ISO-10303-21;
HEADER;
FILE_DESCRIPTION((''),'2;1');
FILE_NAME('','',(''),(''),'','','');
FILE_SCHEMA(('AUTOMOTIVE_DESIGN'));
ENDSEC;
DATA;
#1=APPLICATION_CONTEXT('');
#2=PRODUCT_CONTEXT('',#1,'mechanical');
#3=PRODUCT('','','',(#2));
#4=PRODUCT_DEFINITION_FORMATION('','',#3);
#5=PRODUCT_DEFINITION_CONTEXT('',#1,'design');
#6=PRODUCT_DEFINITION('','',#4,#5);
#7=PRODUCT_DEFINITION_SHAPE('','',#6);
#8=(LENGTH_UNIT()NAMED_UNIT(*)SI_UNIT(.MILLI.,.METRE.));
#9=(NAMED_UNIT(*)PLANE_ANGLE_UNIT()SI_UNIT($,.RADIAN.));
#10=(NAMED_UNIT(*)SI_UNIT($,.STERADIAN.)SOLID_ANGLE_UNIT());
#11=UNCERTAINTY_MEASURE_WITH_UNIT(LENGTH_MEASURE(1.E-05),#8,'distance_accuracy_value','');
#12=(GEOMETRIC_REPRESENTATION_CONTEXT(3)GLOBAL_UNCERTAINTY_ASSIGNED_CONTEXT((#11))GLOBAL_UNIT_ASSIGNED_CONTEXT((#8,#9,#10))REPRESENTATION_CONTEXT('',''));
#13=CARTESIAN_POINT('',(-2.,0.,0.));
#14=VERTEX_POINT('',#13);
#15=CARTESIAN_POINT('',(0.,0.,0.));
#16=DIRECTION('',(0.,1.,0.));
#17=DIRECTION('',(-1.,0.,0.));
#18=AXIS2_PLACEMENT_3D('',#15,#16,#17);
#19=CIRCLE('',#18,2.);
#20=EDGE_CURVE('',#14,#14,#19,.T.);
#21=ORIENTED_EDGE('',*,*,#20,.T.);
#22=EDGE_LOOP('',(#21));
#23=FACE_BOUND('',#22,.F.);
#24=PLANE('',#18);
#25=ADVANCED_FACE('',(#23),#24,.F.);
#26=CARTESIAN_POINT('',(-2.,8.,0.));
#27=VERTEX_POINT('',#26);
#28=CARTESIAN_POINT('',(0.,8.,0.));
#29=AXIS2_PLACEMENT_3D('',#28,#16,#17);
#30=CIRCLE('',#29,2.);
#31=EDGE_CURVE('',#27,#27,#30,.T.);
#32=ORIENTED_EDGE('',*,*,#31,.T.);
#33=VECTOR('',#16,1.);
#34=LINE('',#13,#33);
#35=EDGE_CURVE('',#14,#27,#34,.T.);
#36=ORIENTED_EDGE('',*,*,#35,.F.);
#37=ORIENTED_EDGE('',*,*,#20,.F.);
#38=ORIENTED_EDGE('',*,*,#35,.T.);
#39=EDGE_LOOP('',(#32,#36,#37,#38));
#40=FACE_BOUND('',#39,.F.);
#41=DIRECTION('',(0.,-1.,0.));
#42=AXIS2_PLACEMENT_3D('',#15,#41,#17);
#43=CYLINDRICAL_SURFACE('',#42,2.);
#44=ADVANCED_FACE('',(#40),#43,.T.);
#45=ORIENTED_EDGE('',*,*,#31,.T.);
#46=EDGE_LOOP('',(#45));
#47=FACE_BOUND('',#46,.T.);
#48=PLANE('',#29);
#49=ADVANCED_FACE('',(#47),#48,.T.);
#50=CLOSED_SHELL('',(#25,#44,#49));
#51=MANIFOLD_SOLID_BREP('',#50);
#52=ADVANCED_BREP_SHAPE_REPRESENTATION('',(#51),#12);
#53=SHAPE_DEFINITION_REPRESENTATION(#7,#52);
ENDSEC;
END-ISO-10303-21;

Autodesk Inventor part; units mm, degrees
ref_plane "YZ Plane" through (0, 0, 0) normal (1, 0, 0) x (0, 1, 0)
ref_plane "XZ Plane" through (0, 0, 0) normal (0, 1, 0) x (-1, 0, 0)
ref_plane "XY Plane" through (0, 0, 0) normal (0, 0, 1) x (1, 0, 0)
sketch "Sketch1" plane through (0, 0, 0) normal (0, 1, 0) x (-1, 0, 0)
  circle A0 centre (0, 0) radius 2
  dimension "d0" = 4
extrude "Extrusion1" add sketch "Sketch1" along normal blind 8
properties part number "pasador"
